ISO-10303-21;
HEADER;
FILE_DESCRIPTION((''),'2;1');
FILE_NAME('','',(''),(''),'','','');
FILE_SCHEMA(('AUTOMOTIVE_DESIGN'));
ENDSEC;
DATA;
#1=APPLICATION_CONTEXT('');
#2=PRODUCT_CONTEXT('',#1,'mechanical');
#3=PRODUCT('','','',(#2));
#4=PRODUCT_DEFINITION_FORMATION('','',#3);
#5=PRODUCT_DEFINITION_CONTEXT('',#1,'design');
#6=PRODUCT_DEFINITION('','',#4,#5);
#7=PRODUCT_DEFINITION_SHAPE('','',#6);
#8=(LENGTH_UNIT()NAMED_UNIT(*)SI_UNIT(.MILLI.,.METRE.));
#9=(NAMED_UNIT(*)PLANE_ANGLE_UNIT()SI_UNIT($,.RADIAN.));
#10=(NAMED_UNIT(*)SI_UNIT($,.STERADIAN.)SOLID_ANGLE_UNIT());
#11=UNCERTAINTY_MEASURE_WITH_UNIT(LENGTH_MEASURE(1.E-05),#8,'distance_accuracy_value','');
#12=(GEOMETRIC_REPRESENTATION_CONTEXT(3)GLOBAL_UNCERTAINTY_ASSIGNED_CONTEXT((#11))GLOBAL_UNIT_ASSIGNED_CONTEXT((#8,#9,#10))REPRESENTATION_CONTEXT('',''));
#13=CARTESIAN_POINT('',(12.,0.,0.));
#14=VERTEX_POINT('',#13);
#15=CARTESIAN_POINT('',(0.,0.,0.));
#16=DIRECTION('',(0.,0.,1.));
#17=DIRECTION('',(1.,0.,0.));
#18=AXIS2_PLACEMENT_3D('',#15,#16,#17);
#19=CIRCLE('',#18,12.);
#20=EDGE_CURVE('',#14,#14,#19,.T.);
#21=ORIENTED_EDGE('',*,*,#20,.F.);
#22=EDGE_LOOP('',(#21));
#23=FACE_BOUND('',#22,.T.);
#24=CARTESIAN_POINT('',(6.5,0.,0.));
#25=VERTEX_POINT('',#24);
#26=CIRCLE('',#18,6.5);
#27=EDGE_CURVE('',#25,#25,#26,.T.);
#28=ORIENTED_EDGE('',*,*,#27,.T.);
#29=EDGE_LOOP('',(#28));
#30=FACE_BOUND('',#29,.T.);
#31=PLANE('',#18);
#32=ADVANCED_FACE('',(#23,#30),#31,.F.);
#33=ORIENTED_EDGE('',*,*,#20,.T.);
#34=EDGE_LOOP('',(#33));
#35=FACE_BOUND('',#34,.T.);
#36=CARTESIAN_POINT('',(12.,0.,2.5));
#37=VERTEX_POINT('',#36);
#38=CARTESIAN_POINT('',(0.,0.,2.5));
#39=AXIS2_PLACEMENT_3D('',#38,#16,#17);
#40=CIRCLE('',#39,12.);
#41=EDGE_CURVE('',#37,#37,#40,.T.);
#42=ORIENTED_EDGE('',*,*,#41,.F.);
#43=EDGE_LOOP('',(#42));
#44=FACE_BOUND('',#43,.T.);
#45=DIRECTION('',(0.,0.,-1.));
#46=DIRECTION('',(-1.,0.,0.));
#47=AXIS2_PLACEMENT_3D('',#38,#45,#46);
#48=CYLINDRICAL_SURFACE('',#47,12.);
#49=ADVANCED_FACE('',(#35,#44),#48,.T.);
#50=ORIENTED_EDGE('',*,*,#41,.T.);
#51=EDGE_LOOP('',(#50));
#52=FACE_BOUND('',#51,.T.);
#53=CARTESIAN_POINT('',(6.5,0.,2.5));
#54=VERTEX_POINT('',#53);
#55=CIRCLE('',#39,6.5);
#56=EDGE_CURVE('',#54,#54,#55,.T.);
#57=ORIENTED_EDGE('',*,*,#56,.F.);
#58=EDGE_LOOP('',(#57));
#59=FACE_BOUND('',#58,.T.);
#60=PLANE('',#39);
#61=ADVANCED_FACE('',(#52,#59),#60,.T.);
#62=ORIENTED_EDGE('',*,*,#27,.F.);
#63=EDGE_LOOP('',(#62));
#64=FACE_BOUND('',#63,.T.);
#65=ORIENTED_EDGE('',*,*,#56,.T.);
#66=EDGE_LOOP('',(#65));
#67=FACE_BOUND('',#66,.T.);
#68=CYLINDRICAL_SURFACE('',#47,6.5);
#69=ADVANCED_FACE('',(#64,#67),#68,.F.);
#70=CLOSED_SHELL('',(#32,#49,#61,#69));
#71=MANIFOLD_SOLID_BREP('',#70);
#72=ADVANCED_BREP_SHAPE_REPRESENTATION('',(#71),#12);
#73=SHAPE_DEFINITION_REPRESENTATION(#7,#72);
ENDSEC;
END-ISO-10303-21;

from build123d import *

# Parameters (mm, degrees)
SKETCH_1_R      = 12
SKETCH_1_R_2    = 6.5
EXTRUDE_1_DEPTH = 2.5


with BuildPart() as part:
    # Эскиз1 → Бобышка-Вытянуть1 (new body)
    with BuildSketch(Plane.XY):
        Circle(SKETCH_1_R)
        Circle(SKETCH_1_R_2, mode=Mode.SUBTRACT)
    extrude(amount=EXTRUDE_1_DEPTH)


solid = part.part
